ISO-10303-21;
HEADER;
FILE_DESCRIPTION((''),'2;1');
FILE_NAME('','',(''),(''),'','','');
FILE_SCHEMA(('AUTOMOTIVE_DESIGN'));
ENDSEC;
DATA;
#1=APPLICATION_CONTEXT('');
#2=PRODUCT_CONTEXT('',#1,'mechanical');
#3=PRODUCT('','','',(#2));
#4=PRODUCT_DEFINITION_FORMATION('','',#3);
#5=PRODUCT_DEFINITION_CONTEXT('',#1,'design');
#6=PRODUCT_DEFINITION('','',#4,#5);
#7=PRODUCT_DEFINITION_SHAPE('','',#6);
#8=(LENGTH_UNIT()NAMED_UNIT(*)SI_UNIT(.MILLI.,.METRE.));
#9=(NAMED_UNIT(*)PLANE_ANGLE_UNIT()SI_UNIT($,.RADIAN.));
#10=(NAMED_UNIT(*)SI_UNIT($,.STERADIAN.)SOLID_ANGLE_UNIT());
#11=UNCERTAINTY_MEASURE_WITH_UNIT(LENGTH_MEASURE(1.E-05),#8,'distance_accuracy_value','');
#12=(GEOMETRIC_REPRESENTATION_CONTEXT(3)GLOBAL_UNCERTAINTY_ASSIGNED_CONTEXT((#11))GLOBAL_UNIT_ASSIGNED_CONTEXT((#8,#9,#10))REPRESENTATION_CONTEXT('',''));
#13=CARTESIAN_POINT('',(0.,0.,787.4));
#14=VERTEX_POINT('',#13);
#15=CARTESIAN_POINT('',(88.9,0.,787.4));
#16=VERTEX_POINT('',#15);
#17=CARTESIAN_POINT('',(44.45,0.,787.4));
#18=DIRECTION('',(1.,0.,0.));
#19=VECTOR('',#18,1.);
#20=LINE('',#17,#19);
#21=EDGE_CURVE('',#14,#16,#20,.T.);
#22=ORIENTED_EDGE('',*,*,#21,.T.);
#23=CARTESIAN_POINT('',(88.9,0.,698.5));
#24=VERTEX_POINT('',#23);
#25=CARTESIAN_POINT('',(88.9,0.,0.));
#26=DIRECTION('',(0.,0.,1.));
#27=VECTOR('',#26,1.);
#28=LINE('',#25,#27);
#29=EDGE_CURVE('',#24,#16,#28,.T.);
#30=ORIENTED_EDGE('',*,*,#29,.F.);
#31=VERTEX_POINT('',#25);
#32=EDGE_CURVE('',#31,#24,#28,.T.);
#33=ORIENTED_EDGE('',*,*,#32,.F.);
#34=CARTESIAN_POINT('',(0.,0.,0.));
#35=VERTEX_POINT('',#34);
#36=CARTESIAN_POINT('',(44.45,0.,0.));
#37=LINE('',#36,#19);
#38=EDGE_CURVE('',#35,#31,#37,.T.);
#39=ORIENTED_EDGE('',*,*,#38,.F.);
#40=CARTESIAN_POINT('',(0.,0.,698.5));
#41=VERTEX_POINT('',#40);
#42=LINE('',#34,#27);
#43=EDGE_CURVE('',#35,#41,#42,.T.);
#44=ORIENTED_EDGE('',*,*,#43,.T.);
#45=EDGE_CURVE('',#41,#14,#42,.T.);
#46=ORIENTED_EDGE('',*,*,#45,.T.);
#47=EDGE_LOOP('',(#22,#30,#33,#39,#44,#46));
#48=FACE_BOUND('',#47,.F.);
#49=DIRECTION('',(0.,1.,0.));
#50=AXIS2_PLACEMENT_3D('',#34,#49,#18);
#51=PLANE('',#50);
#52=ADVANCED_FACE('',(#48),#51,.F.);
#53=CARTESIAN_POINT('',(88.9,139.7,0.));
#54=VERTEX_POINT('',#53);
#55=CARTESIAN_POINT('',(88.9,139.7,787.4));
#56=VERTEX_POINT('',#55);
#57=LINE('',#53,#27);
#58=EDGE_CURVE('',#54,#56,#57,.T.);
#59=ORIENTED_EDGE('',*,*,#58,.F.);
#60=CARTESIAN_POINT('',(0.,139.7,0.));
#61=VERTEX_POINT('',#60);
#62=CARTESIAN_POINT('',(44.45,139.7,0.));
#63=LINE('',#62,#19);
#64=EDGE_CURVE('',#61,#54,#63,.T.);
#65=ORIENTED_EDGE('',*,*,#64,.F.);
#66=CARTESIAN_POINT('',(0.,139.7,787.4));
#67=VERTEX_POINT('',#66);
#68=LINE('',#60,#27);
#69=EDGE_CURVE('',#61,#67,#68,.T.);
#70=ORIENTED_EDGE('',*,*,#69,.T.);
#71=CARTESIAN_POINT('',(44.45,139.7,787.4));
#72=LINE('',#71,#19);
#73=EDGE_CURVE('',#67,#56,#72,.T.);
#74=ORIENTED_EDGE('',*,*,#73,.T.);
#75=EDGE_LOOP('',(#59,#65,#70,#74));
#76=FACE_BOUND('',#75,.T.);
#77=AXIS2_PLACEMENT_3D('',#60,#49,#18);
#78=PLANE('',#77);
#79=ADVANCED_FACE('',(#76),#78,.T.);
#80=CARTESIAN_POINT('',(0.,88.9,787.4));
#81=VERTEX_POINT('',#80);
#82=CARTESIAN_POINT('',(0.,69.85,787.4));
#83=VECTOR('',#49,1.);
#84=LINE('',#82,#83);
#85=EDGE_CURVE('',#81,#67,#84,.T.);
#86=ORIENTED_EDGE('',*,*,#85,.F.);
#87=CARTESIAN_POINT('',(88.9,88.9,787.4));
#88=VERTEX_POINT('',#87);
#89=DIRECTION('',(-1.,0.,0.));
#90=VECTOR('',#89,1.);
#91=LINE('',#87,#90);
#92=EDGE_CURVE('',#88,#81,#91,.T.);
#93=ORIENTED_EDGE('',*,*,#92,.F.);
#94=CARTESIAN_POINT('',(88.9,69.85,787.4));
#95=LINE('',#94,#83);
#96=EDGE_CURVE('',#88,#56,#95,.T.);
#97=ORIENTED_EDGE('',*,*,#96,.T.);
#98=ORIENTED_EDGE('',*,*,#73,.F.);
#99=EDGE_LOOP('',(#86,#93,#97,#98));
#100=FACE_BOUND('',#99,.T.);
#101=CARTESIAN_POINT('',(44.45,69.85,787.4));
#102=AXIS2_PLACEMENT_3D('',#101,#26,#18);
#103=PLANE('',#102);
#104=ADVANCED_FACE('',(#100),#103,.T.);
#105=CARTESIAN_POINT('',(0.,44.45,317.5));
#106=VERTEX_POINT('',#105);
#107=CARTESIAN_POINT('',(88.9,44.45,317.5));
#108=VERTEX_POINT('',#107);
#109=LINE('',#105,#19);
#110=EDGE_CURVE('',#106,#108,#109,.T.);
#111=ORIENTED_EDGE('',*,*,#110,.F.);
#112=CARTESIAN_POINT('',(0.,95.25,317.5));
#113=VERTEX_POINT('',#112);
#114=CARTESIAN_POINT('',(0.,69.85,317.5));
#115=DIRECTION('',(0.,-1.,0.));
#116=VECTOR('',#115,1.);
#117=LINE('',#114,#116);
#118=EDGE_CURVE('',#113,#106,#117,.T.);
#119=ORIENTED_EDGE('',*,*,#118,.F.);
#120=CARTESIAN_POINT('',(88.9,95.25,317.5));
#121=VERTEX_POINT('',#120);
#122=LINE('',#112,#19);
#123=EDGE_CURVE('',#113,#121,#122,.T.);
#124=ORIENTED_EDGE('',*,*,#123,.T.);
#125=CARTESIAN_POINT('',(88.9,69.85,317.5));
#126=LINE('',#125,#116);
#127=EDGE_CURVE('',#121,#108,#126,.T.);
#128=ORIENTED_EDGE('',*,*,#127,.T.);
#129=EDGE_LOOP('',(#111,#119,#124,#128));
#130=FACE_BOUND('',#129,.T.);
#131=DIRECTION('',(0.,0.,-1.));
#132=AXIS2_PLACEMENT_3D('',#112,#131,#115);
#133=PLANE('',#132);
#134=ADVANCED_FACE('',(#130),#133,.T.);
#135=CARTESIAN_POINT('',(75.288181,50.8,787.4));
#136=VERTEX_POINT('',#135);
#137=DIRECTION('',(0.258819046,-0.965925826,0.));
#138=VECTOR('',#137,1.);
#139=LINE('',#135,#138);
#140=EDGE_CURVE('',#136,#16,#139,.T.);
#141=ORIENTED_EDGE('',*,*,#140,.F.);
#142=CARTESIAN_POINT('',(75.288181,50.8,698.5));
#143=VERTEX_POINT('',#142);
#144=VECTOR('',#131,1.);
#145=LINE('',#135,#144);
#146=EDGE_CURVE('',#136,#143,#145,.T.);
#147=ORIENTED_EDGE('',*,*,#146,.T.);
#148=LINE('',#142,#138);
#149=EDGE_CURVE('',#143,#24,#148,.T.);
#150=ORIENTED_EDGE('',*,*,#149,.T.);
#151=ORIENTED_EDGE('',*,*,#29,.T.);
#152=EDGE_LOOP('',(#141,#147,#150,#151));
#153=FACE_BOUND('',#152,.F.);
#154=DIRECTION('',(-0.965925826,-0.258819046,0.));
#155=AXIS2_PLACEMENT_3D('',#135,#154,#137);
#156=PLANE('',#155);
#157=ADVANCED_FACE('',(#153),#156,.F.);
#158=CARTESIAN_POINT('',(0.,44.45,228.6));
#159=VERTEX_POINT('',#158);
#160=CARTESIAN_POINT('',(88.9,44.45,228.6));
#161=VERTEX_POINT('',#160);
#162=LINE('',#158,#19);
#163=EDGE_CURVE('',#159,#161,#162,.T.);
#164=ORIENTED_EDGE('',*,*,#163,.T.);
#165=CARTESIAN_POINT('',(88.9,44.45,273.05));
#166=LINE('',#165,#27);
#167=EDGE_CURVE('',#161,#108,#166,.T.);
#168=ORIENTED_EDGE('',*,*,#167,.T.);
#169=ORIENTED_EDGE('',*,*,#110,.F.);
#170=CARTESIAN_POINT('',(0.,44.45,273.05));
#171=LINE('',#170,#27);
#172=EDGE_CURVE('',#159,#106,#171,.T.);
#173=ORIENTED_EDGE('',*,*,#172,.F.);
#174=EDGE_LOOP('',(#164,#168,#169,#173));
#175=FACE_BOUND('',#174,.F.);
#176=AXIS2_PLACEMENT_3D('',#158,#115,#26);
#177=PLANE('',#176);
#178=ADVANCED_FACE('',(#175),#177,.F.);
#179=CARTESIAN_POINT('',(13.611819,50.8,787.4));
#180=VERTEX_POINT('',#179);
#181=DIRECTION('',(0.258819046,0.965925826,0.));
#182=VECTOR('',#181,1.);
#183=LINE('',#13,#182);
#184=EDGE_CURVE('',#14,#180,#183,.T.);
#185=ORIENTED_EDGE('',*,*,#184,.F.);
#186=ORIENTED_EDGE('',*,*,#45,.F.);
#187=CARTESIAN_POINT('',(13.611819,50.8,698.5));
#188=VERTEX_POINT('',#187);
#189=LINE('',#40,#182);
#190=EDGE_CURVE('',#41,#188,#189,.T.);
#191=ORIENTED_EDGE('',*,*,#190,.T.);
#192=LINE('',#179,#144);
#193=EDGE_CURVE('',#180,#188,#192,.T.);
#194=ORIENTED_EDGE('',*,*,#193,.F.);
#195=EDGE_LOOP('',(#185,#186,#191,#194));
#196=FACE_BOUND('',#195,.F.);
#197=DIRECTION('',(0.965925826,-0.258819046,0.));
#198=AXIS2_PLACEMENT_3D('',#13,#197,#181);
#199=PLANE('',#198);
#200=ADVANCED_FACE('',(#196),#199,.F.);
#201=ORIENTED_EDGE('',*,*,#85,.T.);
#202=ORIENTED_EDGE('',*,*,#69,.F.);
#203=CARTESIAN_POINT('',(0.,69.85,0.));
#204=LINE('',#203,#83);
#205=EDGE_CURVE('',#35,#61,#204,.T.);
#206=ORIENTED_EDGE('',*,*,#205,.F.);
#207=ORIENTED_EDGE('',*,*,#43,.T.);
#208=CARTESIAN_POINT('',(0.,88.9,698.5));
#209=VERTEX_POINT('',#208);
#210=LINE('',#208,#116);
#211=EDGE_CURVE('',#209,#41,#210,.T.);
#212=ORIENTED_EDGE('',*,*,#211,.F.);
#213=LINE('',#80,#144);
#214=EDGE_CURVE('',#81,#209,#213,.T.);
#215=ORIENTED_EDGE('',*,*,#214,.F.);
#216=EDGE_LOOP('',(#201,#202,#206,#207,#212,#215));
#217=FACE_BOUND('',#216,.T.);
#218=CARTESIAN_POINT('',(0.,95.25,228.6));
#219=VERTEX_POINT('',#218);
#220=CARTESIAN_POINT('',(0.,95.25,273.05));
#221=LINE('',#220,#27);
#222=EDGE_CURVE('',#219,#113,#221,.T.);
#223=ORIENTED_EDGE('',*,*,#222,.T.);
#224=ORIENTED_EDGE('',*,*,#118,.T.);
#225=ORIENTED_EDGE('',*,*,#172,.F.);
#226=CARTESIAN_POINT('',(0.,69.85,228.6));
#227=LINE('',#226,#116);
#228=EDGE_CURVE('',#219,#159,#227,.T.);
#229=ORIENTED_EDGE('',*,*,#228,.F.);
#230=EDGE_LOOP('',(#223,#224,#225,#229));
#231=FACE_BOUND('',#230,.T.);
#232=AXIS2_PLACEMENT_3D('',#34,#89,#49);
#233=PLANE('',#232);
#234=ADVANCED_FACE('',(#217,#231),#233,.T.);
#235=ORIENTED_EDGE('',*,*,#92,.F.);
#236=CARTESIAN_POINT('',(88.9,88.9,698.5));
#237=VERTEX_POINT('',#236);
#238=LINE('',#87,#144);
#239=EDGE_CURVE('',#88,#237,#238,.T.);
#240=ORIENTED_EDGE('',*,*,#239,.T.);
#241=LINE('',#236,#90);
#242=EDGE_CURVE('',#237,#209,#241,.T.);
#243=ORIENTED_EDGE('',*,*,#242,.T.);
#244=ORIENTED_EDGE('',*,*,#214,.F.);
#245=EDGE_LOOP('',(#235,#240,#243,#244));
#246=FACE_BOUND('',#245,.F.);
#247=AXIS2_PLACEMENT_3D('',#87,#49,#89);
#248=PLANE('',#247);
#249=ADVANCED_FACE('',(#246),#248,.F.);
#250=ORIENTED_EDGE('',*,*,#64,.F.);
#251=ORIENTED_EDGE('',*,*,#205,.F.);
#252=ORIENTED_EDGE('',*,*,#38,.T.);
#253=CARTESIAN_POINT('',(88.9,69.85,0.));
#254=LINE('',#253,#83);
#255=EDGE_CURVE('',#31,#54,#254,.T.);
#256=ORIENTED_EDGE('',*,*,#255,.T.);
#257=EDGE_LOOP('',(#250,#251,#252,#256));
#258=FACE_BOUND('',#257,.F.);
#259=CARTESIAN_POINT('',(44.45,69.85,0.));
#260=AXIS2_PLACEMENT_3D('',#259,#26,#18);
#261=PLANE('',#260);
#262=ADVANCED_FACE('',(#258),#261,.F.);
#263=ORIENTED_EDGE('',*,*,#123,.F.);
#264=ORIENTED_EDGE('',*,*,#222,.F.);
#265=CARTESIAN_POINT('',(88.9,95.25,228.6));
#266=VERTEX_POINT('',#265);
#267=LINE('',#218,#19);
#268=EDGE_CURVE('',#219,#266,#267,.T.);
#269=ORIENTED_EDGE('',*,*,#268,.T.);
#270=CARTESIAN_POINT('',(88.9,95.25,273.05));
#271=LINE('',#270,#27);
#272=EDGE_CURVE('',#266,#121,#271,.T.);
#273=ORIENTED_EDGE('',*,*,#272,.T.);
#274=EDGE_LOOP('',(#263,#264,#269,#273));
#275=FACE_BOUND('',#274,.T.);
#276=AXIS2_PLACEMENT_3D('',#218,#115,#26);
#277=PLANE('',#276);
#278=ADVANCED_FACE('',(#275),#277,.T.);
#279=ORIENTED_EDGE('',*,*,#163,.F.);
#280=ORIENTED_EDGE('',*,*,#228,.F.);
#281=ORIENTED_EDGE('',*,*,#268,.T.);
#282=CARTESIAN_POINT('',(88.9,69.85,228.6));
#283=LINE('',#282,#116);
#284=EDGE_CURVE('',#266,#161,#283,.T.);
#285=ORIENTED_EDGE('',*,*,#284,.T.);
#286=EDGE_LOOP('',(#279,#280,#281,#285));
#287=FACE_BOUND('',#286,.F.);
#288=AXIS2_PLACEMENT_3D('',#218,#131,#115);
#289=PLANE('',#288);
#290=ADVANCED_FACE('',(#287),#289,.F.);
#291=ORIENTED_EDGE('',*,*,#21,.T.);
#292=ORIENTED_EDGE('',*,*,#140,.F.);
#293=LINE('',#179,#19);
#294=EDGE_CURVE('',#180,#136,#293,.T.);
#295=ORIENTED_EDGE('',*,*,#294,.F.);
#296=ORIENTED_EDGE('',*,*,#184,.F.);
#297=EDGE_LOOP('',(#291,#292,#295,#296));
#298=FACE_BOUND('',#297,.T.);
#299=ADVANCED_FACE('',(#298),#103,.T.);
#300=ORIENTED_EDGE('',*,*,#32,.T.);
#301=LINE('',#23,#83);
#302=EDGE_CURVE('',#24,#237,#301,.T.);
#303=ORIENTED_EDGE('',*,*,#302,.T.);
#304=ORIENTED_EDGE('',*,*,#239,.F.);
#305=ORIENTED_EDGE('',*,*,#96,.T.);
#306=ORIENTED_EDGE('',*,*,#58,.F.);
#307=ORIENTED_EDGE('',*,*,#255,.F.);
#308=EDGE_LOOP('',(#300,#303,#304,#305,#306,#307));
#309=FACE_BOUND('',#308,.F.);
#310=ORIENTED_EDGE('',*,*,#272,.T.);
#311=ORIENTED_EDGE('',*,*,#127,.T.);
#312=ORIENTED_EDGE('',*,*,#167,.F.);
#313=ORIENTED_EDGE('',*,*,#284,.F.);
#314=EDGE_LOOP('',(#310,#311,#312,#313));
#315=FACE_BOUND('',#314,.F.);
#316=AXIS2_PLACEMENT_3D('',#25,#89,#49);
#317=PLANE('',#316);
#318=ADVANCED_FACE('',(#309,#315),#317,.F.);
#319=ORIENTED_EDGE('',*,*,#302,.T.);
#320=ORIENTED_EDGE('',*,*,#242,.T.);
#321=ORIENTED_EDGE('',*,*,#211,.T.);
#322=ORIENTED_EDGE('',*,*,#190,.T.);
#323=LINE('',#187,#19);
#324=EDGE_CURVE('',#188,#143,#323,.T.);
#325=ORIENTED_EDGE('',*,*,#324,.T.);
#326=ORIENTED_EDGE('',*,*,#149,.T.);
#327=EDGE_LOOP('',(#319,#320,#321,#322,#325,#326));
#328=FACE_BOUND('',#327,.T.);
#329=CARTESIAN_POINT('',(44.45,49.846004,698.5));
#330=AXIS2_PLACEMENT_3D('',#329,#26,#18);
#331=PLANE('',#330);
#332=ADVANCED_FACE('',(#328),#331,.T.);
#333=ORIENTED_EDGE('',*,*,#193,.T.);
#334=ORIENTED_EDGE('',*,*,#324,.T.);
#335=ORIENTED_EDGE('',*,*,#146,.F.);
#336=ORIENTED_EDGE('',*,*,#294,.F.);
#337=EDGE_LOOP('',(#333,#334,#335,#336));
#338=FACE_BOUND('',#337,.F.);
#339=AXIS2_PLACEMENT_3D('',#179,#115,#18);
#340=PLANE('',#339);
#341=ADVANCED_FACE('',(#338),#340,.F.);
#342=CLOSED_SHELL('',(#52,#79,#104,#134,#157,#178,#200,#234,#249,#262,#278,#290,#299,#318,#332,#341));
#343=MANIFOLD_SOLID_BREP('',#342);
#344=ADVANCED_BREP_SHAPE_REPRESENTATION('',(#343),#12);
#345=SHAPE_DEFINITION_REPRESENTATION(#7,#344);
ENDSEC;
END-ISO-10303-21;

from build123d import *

# Parameters (mm, degrees)
F0_W     = 88.9
F0_H     = 139.7
F1_DEPTH = 787.4
F3_DEPTH = 88.9
F4_W     = 50.8
F4_H     = 88.9
F5_DEPTH = 88.9


with BuildPart() as f1:
    # F0 (on Top) → F1 (new body)
    with BuildSketch(Plane.XY):
        with Locations((44.45, 69.85)):
            Rectangle(F0_W, F0_H)
    extrude(amount=F1_DEPTH)

    # F2 (on face) → F3 (cut)
    with BuildSketch(Plane.XY.offset(787.4)):
        Polygon((0, 88.9), (0, 0), (13.611819, 50.8), (75.288181, 50.8), (88.9, 0), (88.9, 88.9), align=None)
    extrude(amount=-F3_DEPTH, mode=Mode.SUBTRACT)

    # F4 (on face) → F5 (cut, through all)
    with BuildSketch(Plane(origin=(0, 0, 0), x_dir=(0, -1, 0), z_dir=(-1, 0, 0))):
        with Locations((-69.85, 273.05)):
            Rectangle(F4_W, F4_H)
    extrude(amount=-F5_DEPTH, mode=Mode.SUBTRACT)


solid = f1.part
